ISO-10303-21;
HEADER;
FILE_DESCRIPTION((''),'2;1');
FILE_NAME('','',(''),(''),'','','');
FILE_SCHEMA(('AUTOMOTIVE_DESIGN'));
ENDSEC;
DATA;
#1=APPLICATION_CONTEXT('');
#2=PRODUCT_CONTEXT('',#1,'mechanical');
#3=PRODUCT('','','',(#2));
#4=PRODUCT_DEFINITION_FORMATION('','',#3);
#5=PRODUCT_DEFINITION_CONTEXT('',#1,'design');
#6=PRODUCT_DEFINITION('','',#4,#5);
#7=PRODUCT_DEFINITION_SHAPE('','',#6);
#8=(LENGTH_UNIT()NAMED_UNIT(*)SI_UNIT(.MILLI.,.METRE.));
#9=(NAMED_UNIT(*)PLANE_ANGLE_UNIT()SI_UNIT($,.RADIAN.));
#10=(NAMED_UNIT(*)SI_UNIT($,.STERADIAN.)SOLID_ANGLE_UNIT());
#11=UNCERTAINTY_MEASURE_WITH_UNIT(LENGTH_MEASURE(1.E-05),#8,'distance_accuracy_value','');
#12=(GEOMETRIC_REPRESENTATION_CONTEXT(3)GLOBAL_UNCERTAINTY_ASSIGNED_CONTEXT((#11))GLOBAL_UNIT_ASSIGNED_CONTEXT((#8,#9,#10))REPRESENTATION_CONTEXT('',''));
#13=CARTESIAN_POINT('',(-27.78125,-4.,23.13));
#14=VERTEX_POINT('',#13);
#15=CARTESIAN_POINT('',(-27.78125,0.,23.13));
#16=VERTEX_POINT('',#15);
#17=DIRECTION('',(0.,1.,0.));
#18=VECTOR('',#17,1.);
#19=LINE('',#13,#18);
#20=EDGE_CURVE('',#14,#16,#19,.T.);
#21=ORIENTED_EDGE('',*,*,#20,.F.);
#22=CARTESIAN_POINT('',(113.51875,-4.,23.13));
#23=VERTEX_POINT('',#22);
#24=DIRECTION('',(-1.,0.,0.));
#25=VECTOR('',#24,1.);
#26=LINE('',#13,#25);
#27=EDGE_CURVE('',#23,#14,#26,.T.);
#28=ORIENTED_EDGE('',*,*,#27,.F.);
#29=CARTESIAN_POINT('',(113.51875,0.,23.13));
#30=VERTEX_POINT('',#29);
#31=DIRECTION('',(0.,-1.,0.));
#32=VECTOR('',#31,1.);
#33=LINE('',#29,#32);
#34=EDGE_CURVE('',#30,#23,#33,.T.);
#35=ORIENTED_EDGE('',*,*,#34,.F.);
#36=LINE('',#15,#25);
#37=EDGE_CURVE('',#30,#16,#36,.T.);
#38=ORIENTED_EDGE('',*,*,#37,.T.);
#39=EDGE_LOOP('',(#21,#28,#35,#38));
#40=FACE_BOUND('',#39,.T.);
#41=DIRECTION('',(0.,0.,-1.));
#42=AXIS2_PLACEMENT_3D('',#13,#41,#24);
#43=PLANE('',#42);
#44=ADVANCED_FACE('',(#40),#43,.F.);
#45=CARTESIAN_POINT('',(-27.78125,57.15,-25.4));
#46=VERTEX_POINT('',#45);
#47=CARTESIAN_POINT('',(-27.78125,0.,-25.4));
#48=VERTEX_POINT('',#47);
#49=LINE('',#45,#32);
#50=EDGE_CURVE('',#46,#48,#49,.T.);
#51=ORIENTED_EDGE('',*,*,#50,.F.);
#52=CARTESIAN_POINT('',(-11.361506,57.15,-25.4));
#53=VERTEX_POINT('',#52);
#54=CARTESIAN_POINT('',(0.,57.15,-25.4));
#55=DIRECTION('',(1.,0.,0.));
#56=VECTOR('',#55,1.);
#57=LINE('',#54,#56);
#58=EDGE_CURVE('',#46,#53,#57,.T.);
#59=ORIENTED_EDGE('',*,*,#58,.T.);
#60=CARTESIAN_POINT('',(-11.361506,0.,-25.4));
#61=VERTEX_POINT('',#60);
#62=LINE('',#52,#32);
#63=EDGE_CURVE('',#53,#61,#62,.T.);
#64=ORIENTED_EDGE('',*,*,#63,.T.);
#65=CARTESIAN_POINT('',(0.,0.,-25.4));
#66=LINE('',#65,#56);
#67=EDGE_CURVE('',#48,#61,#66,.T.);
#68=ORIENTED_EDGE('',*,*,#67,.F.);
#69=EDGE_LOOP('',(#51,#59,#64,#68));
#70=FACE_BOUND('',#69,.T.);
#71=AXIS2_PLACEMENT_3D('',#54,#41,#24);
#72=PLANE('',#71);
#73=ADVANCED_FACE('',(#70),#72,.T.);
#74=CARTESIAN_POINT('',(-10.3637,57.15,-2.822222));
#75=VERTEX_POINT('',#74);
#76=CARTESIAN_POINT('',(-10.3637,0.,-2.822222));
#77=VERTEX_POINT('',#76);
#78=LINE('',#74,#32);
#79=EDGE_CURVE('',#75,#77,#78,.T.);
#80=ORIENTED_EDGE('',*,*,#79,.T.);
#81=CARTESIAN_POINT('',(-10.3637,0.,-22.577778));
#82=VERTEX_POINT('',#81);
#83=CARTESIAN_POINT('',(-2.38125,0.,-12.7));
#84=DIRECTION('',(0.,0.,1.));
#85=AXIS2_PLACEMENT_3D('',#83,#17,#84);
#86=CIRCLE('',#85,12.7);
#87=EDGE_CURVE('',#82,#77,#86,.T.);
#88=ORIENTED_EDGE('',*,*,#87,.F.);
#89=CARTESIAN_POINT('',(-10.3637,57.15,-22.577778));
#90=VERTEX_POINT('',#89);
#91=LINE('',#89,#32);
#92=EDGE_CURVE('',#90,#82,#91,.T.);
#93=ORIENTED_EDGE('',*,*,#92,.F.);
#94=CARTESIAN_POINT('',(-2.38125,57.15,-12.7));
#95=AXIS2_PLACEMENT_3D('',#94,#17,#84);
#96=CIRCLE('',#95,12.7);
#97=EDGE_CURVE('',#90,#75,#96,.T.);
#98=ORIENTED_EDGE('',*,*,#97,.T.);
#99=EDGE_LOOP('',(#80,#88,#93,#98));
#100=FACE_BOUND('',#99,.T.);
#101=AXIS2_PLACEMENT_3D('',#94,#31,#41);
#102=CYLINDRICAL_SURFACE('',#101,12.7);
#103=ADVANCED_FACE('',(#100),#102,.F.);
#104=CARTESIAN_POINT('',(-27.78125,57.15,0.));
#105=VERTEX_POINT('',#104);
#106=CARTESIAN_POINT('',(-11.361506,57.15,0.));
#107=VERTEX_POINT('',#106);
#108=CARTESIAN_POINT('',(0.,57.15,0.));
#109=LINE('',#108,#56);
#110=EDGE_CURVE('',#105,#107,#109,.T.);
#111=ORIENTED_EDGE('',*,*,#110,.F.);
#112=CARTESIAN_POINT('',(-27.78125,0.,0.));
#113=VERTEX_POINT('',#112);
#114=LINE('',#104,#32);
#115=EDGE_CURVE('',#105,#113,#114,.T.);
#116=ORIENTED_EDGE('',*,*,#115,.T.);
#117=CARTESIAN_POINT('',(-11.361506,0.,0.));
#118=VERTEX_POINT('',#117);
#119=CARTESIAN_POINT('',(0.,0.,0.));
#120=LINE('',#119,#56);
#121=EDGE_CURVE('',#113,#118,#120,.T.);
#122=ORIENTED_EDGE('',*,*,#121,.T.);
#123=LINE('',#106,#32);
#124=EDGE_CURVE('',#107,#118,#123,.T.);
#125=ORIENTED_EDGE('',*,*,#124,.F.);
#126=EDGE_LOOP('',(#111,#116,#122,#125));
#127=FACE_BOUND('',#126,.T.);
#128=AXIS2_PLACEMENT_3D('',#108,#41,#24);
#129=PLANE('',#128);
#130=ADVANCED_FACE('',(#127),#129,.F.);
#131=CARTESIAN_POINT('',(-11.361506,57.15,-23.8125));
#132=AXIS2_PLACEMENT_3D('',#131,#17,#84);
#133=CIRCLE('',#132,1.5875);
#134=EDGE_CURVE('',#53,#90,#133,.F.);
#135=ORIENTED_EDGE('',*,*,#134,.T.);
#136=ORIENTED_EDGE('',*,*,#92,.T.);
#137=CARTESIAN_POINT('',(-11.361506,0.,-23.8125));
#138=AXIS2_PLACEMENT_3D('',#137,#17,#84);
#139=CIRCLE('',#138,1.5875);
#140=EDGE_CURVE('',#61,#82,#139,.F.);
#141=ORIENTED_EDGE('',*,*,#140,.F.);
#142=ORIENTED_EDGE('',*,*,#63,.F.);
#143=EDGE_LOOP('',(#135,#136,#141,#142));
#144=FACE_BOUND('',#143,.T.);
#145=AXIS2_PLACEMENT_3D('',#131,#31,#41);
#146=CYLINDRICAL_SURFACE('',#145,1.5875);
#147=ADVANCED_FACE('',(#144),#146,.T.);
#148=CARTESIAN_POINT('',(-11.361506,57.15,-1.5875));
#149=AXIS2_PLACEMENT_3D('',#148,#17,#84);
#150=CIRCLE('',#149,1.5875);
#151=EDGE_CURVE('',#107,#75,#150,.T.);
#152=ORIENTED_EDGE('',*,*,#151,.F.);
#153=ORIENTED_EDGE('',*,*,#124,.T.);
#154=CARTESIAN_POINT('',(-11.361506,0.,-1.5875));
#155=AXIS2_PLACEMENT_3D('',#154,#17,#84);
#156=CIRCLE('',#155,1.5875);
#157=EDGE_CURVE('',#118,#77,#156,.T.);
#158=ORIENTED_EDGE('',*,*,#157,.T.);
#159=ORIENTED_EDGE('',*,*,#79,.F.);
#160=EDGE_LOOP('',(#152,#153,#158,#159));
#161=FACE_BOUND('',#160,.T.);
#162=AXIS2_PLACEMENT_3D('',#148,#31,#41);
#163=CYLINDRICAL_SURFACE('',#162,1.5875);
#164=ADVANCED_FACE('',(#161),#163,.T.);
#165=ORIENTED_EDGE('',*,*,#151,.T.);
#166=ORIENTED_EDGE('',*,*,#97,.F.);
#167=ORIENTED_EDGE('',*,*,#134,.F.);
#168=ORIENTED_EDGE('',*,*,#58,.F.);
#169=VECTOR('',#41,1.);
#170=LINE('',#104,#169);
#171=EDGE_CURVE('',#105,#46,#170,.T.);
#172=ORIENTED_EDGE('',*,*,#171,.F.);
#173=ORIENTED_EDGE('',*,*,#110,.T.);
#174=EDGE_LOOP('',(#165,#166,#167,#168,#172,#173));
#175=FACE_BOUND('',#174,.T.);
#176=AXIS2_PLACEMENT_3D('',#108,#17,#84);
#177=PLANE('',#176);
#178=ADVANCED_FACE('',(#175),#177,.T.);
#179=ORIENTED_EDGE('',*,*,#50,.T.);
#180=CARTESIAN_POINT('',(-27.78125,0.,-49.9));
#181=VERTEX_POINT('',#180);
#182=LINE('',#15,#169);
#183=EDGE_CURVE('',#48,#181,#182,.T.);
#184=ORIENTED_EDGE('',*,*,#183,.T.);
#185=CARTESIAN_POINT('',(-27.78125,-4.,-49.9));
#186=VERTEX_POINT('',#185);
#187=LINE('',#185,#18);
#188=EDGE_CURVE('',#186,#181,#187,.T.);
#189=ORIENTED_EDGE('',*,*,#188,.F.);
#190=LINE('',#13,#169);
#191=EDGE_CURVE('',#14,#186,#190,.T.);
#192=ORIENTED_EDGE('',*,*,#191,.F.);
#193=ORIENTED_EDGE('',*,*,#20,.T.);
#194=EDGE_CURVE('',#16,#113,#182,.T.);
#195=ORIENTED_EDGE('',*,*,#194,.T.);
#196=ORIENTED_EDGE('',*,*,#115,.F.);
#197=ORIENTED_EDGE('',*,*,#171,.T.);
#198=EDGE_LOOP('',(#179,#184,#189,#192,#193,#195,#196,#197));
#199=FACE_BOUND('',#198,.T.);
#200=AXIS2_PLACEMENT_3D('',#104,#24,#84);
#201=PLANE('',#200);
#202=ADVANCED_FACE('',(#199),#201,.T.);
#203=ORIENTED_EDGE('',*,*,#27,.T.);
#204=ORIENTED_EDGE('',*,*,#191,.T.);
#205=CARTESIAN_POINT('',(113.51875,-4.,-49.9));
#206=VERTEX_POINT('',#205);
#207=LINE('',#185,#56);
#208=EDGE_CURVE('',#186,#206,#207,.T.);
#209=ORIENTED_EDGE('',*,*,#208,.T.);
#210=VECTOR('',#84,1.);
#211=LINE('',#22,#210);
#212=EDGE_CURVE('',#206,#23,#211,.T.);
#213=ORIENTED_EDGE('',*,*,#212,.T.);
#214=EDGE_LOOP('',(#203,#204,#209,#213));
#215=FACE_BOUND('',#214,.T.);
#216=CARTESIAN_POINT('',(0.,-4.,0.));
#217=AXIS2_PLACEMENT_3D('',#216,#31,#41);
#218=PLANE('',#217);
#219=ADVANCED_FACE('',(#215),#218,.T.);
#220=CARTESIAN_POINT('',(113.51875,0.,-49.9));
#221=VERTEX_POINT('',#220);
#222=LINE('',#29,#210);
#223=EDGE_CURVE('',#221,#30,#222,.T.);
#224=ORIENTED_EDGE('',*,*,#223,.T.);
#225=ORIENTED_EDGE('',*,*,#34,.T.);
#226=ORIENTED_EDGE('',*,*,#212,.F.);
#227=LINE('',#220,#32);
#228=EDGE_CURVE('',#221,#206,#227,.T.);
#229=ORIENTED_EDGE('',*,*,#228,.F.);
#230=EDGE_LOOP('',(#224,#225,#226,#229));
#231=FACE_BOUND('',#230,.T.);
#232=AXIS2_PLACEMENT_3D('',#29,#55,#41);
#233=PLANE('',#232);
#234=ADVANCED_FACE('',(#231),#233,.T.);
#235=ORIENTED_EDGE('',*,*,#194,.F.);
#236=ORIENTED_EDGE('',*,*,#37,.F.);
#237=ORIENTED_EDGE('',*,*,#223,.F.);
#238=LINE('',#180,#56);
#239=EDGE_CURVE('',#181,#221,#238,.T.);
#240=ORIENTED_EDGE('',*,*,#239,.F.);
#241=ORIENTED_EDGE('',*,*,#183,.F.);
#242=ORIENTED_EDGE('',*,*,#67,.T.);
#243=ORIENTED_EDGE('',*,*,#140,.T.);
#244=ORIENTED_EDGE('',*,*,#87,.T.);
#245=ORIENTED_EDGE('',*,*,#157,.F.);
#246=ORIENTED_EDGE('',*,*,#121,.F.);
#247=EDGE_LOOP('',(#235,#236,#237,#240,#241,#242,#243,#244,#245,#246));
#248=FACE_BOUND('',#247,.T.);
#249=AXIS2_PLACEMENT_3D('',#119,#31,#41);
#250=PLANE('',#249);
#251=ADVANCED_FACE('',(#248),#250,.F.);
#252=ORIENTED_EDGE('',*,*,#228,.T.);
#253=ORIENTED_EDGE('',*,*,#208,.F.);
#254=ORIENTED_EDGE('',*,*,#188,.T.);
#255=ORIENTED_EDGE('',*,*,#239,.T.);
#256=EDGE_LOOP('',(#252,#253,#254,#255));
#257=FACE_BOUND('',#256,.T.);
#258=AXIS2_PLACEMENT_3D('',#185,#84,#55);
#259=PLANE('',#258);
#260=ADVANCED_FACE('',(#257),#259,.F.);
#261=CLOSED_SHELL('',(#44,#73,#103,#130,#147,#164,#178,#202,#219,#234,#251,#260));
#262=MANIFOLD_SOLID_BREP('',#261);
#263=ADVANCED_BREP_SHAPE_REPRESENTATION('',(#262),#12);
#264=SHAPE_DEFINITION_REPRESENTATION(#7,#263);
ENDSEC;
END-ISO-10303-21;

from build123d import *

# Parameters (mm, degrees)
BOSS_EXTRUDE1_DEPTH = 57.15
SKETCH4_W           = 21.391570407
SKETCH4_H           = 73.03
BOSS_EXTRUDE2_DEPTH = 4
SKETCH5_W           = 119.908429593
SKETCH5_H           = 73.03
BOSS_EXTRUDE3_DEPTH = 4


with BuildPart() as part:
    # Sketch3 → Boss-Extrude1 (new body)
    with BuildSketch(Plane(origin=(0, 0, 0), x_dir=(1, 0, 0), z_dir=(0, 1, 0))):
        with BuildLine():
            Line((-27.78125, 0), (-27.78125, 25.4))
            Line((-27.78125, 25.4), (-11.361506121, 25.4))
            ThreePointArc((-11.361506121, 25.4), (-9.864796768, 24.341666667), (-10.363699885, 22.577777778))
            ThreePointArc((-10.363699885, 22.577777778), (-15.08125, 12.7), (-10.363699885, 2.822222222))
            ThreePointArc((-10.363699885, 2.822222222), (-9.864796768, 1.058333333), (-11.361506121, 0))
            Line((-11.361506121, 0), (-27.78125, 0))
        make_face()
    extrude(amount=BOSS_EXTRUDE1_DEPTH)

    # Sketch4 → Boss-Extrude2 (add)
    with BuildSketch(Plane.XZ):
        with Locations((-17.085464796, -13.384999898)):
            Rectangle(SKETCH4_W, SKETCH4_H)
    extrude(amount=BOSS_EXTRUDE2_DEPTH)

    # Sketch5 → Boss-Extrude3 (add)
    with BuildSketch(Plane(origin=(0, -4, 0), x_dir=(-1, 0, 0), z_dir=(0, -1, 0))):
        with Locations((-53.564535204, 13.384999898)):
            Rectangle(SKETCH5_W, SKETCH5_H)
    extrude(amount=-BOSS_EXTRUDE3_DEPTH)


solid = part.part
